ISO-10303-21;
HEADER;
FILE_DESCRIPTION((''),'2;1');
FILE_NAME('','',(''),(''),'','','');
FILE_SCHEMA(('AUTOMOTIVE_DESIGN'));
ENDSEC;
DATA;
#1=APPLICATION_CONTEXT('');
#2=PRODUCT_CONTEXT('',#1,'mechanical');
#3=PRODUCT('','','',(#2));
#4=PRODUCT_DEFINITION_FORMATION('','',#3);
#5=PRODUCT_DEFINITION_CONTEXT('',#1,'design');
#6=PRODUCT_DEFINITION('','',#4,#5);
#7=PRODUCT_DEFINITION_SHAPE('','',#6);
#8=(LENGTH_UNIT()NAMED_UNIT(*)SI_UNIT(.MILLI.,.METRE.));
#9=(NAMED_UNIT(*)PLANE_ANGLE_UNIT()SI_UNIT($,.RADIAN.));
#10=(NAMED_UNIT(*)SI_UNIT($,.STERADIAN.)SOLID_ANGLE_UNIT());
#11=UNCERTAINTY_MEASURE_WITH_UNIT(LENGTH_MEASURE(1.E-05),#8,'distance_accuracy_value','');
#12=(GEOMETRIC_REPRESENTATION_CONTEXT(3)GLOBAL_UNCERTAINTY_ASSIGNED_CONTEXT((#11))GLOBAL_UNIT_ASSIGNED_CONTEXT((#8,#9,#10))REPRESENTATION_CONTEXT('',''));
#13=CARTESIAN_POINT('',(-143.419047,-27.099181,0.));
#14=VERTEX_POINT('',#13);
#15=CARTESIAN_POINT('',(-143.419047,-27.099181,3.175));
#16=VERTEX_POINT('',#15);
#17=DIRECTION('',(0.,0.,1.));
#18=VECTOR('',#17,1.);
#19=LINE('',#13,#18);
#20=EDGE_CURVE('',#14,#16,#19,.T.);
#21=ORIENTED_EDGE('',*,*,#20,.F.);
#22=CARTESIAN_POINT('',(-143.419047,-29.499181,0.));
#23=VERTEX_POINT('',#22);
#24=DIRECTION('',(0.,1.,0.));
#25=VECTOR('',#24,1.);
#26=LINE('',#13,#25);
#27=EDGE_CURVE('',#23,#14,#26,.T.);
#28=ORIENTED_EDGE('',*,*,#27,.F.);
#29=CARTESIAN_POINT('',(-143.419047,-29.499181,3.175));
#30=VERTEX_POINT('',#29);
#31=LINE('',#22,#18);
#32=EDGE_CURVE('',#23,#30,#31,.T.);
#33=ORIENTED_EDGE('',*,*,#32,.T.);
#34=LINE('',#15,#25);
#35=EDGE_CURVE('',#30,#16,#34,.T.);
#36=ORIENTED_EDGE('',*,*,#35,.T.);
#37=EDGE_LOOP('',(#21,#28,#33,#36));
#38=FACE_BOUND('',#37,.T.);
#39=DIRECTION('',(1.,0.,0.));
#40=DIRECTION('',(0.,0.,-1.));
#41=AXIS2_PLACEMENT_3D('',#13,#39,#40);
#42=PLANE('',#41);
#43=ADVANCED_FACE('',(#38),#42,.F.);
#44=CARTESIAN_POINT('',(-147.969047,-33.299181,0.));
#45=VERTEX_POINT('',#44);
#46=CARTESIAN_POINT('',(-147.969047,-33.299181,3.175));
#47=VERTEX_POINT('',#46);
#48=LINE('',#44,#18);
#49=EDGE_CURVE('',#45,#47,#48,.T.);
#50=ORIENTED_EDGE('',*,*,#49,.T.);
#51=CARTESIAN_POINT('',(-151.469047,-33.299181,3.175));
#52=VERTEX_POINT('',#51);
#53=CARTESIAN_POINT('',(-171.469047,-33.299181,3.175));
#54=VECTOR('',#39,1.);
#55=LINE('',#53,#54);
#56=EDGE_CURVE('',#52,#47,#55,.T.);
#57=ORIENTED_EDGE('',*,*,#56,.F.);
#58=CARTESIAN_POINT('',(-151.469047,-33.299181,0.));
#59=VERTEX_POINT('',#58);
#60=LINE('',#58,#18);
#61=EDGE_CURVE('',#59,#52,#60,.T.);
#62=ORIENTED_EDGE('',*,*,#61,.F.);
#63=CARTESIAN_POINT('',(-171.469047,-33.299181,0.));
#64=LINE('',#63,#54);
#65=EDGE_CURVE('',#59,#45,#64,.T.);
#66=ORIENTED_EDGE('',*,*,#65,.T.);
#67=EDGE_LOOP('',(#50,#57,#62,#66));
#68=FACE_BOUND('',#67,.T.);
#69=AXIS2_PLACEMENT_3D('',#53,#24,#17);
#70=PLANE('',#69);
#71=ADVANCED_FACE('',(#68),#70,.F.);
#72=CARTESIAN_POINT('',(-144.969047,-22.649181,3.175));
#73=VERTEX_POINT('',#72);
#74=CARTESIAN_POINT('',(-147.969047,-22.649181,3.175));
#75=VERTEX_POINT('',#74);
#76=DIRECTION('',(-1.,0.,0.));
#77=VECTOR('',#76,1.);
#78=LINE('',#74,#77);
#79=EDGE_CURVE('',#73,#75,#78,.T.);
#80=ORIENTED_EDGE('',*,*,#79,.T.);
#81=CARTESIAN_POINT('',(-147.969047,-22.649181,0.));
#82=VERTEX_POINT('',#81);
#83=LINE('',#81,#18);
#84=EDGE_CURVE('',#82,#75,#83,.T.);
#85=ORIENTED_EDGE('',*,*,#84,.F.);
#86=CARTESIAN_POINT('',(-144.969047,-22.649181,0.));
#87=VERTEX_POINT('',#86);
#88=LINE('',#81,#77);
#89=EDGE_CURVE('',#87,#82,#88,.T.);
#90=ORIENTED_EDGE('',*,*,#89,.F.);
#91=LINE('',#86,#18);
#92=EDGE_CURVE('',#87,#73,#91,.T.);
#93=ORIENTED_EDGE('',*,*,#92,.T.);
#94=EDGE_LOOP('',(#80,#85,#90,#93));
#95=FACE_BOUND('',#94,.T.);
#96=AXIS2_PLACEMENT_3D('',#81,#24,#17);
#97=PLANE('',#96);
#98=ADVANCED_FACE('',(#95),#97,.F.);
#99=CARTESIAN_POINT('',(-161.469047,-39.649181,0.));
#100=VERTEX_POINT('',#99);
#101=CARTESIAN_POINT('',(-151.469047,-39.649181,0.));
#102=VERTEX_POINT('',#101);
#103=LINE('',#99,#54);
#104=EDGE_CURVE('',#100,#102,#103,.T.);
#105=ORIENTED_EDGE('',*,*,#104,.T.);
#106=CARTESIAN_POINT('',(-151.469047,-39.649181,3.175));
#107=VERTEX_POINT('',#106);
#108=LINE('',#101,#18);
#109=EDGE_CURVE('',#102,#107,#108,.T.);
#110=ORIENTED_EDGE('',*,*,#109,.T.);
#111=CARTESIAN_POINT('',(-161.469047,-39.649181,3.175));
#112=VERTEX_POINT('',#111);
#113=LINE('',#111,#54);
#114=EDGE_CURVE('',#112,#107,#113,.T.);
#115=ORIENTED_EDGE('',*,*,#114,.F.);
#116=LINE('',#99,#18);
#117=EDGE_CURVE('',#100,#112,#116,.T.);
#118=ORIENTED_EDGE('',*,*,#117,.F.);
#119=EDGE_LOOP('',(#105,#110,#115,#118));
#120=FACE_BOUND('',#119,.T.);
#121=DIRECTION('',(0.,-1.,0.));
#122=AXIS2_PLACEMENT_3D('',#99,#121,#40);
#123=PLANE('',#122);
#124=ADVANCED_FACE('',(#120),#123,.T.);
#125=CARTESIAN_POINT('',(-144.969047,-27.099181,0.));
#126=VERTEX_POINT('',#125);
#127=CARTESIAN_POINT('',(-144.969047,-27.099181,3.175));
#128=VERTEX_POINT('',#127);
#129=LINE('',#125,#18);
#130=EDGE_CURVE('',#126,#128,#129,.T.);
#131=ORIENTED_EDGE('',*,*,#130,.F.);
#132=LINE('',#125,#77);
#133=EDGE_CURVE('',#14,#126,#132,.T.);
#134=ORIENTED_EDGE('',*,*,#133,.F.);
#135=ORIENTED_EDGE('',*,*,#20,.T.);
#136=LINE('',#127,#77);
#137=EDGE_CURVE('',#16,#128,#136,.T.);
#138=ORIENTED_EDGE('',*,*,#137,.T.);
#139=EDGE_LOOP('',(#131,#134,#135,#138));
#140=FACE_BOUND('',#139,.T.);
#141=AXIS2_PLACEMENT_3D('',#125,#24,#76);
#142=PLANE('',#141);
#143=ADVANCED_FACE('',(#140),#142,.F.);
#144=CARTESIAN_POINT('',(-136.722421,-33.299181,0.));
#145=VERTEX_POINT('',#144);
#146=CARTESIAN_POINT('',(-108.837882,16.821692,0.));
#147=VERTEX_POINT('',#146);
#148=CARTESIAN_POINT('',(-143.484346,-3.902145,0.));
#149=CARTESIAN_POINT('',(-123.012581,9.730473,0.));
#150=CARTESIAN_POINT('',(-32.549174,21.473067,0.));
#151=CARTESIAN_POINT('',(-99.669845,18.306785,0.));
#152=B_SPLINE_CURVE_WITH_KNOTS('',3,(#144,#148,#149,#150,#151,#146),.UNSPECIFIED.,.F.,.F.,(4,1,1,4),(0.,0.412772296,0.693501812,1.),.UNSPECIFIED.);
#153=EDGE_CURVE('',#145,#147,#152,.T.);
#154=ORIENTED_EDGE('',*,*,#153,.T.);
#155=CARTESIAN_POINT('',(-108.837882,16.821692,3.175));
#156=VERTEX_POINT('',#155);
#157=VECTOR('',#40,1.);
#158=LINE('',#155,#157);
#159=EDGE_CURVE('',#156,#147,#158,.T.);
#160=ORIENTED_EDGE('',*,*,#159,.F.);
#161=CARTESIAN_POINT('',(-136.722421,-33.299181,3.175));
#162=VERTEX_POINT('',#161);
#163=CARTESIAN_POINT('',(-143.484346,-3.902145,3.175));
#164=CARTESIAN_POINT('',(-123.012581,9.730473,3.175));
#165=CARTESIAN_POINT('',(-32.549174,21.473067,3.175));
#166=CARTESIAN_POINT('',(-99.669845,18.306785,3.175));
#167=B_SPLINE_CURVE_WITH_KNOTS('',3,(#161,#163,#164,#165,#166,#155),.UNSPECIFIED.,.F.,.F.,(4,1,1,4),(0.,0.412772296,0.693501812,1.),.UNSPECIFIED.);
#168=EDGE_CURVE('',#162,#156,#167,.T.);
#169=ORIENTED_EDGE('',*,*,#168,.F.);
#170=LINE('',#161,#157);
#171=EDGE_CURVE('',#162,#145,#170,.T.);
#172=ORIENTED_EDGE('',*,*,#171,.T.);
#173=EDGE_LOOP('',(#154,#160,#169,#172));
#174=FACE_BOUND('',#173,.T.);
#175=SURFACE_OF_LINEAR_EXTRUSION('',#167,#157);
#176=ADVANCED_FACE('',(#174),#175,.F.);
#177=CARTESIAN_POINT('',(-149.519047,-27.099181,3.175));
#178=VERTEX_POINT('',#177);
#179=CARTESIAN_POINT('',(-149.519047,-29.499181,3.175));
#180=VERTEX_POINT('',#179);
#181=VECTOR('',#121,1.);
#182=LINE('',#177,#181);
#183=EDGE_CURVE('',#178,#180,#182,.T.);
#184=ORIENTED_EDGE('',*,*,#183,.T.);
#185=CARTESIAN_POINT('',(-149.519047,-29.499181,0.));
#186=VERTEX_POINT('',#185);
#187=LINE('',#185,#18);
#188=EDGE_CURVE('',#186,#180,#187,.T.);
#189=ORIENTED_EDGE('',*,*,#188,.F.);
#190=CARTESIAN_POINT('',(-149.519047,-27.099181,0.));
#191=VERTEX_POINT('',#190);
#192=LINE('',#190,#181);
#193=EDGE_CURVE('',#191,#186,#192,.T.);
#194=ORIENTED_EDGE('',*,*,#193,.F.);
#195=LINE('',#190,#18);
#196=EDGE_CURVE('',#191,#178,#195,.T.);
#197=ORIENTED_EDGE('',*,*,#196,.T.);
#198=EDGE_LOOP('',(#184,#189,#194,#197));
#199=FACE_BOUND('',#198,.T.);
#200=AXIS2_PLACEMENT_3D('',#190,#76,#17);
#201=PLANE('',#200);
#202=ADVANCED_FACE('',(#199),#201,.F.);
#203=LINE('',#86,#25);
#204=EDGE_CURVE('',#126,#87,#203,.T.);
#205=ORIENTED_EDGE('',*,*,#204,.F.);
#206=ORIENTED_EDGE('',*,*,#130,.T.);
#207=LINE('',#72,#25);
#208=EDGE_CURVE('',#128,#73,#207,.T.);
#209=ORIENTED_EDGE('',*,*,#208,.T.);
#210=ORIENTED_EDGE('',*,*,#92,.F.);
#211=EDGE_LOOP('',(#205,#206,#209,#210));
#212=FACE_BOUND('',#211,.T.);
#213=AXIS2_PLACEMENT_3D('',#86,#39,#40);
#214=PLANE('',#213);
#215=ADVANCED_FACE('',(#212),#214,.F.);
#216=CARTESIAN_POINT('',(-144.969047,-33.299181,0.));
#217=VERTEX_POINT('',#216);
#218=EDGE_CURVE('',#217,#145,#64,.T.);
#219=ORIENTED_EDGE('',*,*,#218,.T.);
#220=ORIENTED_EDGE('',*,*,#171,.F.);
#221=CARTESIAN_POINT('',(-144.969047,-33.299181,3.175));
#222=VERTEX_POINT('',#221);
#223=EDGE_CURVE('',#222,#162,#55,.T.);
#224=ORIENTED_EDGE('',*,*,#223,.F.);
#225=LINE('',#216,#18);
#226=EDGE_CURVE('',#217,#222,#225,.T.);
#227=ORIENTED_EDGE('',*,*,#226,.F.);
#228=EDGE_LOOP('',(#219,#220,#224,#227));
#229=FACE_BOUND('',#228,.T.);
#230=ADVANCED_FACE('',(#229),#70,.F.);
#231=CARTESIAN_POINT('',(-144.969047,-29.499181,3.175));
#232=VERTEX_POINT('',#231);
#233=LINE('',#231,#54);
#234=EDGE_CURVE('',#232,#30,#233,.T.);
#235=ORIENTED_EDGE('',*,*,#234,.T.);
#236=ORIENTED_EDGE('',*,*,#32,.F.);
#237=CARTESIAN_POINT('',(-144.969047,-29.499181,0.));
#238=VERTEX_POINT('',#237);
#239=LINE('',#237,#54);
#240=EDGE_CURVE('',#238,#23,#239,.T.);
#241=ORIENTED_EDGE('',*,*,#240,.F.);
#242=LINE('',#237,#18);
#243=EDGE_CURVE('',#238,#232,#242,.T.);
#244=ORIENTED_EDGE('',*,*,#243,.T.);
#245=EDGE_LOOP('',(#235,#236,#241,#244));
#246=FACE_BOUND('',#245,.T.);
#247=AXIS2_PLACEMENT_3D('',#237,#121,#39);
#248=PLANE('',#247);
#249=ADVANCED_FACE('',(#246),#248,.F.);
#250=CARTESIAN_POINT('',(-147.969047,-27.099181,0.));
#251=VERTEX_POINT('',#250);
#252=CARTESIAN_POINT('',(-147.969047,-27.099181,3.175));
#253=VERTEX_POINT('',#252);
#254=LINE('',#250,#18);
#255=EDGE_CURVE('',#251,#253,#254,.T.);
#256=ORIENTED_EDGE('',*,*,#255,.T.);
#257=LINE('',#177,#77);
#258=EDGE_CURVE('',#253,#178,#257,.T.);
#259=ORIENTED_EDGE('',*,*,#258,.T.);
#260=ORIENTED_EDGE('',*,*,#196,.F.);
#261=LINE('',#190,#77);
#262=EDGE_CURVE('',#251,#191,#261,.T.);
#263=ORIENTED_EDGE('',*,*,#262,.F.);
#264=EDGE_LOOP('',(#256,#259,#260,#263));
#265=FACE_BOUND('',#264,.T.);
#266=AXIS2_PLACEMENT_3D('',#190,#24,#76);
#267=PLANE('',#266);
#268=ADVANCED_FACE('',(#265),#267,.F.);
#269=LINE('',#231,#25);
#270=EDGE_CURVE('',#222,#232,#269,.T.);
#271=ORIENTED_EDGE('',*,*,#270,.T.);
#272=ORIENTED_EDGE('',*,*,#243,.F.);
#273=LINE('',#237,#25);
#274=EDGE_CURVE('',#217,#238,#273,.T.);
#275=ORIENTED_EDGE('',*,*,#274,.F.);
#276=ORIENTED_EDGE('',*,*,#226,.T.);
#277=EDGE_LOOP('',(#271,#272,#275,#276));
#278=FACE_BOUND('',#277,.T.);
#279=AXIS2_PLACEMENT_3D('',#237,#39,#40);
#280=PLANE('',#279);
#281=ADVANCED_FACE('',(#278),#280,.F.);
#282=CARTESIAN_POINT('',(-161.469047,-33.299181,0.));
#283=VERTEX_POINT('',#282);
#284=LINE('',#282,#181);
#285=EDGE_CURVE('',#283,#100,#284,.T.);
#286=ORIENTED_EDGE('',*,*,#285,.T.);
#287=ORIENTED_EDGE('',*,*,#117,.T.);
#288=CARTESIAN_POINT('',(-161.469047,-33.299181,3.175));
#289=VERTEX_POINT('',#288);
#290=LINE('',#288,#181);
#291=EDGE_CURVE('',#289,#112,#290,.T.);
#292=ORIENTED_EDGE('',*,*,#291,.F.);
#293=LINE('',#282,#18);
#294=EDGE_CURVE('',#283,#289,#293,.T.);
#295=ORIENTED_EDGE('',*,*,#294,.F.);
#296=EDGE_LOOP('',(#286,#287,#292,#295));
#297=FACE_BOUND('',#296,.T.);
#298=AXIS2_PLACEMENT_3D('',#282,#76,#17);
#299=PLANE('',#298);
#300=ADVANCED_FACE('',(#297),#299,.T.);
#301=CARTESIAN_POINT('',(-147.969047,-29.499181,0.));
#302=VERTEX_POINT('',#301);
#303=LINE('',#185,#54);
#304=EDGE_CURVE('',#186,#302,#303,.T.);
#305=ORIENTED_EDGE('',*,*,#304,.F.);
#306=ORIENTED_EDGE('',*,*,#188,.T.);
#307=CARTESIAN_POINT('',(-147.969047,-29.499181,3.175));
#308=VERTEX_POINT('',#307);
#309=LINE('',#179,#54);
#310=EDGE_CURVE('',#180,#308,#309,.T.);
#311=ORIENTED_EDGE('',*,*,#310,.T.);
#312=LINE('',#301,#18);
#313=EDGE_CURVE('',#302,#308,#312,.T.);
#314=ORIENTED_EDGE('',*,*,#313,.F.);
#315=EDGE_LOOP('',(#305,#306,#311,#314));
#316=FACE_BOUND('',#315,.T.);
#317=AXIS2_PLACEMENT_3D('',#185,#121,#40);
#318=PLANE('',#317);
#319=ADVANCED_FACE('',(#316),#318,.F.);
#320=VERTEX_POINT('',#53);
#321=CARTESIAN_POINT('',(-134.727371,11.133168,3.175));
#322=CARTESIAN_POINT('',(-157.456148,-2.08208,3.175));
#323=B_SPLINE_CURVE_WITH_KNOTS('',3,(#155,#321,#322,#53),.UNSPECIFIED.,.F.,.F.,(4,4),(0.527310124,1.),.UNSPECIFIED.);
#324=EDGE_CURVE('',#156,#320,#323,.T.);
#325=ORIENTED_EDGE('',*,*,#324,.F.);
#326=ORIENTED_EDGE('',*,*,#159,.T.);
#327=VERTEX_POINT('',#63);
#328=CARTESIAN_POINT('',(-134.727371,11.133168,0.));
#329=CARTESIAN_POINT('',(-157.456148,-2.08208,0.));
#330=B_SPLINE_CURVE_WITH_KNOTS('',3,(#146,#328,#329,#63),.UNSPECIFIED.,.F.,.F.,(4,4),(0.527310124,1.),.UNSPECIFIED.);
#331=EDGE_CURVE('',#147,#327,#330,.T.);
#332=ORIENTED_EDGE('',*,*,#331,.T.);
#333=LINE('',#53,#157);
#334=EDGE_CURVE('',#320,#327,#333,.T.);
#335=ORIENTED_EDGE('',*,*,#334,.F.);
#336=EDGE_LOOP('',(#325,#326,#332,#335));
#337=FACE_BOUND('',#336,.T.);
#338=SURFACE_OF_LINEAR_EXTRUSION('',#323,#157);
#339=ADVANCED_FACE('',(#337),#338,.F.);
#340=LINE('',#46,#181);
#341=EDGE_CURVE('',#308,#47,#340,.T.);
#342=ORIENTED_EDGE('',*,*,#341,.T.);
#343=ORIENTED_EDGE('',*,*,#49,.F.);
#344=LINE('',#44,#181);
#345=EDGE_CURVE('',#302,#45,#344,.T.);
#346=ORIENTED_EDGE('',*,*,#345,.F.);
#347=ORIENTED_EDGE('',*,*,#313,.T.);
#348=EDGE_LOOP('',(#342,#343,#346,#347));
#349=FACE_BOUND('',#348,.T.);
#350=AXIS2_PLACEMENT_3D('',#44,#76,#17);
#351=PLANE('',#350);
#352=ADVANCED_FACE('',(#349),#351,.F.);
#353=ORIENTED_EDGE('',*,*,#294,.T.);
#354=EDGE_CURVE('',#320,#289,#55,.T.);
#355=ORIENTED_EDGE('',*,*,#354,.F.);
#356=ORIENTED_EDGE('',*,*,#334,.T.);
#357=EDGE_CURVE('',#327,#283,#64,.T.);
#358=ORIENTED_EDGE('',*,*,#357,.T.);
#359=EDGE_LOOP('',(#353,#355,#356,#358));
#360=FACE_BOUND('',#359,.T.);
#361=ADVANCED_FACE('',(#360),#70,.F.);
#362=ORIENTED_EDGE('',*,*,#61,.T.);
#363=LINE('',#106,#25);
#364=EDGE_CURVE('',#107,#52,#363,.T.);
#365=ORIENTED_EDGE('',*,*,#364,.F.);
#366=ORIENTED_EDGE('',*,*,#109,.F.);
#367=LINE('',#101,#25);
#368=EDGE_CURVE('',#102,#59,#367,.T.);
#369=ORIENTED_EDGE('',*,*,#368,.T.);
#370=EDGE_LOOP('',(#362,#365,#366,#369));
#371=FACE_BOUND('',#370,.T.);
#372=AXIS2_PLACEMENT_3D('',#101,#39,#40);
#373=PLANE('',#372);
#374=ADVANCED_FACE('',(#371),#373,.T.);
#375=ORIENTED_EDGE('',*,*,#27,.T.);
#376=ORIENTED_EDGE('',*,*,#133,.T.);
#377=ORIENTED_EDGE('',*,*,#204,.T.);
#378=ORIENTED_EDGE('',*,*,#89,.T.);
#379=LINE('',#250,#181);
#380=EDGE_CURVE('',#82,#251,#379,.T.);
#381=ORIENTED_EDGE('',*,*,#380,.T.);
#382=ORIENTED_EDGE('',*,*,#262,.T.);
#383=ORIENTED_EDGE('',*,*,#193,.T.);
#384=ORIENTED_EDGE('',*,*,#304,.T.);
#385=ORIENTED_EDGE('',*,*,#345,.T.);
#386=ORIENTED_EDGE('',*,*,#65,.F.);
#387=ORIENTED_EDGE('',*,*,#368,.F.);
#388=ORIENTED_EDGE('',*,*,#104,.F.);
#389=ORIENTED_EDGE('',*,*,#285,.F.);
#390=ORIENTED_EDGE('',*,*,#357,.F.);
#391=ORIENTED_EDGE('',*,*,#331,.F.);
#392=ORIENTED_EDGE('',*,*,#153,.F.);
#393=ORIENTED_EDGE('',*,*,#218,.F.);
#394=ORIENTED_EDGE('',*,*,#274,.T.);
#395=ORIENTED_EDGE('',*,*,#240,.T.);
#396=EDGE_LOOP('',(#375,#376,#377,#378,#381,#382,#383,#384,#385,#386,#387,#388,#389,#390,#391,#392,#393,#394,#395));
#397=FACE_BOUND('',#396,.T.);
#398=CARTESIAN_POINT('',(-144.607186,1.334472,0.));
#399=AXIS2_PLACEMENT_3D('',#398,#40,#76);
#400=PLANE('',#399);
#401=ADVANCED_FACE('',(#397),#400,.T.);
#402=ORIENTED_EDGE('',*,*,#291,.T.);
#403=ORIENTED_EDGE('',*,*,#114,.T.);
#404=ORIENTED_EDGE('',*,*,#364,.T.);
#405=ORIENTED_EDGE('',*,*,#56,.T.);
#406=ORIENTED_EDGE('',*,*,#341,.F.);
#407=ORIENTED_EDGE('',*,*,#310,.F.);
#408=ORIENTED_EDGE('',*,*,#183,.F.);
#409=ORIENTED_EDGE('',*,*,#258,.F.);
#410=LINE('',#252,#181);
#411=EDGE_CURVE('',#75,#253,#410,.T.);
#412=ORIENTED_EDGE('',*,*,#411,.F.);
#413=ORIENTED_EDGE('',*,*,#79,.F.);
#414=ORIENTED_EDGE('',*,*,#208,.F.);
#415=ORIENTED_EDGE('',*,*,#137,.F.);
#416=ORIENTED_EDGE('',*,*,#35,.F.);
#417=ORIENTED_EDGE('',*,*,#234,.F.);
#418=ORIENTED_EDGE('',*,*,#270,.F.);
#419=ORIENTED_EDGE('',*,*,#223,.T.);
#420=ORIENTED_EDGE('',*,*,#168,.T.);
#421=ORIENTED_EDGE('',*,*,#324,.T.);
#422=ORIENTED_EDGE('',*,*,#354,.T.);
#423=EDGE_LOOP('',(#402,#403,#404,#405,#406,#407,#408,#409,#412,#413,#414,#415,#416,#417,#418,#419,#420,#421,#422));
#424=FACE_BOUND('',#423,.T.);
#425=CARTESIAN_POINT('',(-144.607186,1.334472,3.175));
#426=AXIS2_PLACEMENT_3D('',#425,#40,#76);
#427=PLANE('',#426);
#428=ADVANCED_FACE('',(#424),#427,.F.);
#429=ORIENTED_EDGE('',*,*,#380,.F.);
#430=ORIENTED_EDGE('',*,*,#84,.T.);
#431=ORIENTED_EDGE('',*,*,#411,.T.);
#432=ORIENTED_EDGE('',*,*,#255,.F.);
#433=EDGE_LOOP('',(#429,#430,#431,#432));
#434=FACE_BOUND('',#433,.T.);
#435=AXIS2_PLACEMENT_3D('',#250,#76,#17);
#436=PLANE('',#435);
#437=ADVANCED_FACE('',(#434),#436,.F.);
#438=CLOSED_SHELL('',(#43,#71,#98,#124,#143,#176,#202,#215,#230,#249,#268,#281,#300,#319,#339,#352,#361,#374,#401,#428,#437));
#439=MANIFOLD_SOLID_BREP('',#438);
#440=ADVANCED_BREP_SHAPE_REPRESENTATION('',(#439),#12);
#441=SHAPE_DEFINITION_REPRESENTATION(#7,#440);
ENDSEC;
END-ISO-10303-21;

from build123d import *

# Parameters (mm, degrees)
BOSS_EXTRUDE1_DEPTH = 3.175
SKETCH3_W           = 10
SKETCH3_H           = 6.35
BOSS_EXTRUDE2_DEPTH = 3.175
CUT_EXTRUDE2_DEPTH  = 177.022079196


with BuildPart() as part:
    # Sketch2 → Boss-Extrude1 (new body)
    with BuildSketch(Plane.XY):
        with BuildLine():
            Line((-171.469047232, -33.299180798), (-136.722420558, -33.299180798))
            add(Edge.make_bspline(
                [(-108.83788229, 16.821692005), (-99.669845231, 18.306784822), (-32.549173603, 21.473066917), (-123.012581298, 9.730472521), (-143.484345896, -3.902144784), (-136.722420558, -33.299180798)],
                knots=[0, 0, 0, 0, 0.306498188, 0.587227704, 1, 1, 1, 1], degree=3))
            add(Edge.make_bspline(
                [(-108.83788229, 16.821692005), (-134.727370928, 11.133168188), (-157.456147897, -2.082080449), (-171.469047232, -33.299180798)],
                knots=[0.527310124, 0.527310124, 0.527310124, 0.527310124, 1, 1, 1, 1], degree=3))
        make_face()
    extrude(amount=BOSS_EXTRUDE1_DEPTH)

    # Sketch3 → Boss-Extrude2 (add)
    with BuildSketch(Plane.XY.offset(3.175)):
        with Locations((-156.469047232, -36.474180798)):
            Rectangle(SKETCH3_W, SKETCH3_H)
    extrude(amount=-BOSS_EXTRUDE2_DEPTH)

    # Sketch5 → Cut-Extrude2 (cut, through all)
    with BuildSketch(Plane.XY.offset(3.175)):
        Polygon((-147.969047232, -33.299180798), (-144.969047232, -33.299180798), (-144.969047232, -29.499180798), (-143.419047232, -29.499180798), (-143.419047232, -27.099180798), (-144.969047232, -27.099180798), (-144.969047232, -22.649180798), (-147.969047232, -22.649180798), (-147.969047232, -27.099180798), (-149.519047232, -27.099180798), (-149.519047232, -29.499180798), (-147.969047232, -29.499180798), align=None)
    extrude(amount=-CUT_EXTRUDE2_DEPTH, mode=Mode.SUBTRACT)


solid = part.part
